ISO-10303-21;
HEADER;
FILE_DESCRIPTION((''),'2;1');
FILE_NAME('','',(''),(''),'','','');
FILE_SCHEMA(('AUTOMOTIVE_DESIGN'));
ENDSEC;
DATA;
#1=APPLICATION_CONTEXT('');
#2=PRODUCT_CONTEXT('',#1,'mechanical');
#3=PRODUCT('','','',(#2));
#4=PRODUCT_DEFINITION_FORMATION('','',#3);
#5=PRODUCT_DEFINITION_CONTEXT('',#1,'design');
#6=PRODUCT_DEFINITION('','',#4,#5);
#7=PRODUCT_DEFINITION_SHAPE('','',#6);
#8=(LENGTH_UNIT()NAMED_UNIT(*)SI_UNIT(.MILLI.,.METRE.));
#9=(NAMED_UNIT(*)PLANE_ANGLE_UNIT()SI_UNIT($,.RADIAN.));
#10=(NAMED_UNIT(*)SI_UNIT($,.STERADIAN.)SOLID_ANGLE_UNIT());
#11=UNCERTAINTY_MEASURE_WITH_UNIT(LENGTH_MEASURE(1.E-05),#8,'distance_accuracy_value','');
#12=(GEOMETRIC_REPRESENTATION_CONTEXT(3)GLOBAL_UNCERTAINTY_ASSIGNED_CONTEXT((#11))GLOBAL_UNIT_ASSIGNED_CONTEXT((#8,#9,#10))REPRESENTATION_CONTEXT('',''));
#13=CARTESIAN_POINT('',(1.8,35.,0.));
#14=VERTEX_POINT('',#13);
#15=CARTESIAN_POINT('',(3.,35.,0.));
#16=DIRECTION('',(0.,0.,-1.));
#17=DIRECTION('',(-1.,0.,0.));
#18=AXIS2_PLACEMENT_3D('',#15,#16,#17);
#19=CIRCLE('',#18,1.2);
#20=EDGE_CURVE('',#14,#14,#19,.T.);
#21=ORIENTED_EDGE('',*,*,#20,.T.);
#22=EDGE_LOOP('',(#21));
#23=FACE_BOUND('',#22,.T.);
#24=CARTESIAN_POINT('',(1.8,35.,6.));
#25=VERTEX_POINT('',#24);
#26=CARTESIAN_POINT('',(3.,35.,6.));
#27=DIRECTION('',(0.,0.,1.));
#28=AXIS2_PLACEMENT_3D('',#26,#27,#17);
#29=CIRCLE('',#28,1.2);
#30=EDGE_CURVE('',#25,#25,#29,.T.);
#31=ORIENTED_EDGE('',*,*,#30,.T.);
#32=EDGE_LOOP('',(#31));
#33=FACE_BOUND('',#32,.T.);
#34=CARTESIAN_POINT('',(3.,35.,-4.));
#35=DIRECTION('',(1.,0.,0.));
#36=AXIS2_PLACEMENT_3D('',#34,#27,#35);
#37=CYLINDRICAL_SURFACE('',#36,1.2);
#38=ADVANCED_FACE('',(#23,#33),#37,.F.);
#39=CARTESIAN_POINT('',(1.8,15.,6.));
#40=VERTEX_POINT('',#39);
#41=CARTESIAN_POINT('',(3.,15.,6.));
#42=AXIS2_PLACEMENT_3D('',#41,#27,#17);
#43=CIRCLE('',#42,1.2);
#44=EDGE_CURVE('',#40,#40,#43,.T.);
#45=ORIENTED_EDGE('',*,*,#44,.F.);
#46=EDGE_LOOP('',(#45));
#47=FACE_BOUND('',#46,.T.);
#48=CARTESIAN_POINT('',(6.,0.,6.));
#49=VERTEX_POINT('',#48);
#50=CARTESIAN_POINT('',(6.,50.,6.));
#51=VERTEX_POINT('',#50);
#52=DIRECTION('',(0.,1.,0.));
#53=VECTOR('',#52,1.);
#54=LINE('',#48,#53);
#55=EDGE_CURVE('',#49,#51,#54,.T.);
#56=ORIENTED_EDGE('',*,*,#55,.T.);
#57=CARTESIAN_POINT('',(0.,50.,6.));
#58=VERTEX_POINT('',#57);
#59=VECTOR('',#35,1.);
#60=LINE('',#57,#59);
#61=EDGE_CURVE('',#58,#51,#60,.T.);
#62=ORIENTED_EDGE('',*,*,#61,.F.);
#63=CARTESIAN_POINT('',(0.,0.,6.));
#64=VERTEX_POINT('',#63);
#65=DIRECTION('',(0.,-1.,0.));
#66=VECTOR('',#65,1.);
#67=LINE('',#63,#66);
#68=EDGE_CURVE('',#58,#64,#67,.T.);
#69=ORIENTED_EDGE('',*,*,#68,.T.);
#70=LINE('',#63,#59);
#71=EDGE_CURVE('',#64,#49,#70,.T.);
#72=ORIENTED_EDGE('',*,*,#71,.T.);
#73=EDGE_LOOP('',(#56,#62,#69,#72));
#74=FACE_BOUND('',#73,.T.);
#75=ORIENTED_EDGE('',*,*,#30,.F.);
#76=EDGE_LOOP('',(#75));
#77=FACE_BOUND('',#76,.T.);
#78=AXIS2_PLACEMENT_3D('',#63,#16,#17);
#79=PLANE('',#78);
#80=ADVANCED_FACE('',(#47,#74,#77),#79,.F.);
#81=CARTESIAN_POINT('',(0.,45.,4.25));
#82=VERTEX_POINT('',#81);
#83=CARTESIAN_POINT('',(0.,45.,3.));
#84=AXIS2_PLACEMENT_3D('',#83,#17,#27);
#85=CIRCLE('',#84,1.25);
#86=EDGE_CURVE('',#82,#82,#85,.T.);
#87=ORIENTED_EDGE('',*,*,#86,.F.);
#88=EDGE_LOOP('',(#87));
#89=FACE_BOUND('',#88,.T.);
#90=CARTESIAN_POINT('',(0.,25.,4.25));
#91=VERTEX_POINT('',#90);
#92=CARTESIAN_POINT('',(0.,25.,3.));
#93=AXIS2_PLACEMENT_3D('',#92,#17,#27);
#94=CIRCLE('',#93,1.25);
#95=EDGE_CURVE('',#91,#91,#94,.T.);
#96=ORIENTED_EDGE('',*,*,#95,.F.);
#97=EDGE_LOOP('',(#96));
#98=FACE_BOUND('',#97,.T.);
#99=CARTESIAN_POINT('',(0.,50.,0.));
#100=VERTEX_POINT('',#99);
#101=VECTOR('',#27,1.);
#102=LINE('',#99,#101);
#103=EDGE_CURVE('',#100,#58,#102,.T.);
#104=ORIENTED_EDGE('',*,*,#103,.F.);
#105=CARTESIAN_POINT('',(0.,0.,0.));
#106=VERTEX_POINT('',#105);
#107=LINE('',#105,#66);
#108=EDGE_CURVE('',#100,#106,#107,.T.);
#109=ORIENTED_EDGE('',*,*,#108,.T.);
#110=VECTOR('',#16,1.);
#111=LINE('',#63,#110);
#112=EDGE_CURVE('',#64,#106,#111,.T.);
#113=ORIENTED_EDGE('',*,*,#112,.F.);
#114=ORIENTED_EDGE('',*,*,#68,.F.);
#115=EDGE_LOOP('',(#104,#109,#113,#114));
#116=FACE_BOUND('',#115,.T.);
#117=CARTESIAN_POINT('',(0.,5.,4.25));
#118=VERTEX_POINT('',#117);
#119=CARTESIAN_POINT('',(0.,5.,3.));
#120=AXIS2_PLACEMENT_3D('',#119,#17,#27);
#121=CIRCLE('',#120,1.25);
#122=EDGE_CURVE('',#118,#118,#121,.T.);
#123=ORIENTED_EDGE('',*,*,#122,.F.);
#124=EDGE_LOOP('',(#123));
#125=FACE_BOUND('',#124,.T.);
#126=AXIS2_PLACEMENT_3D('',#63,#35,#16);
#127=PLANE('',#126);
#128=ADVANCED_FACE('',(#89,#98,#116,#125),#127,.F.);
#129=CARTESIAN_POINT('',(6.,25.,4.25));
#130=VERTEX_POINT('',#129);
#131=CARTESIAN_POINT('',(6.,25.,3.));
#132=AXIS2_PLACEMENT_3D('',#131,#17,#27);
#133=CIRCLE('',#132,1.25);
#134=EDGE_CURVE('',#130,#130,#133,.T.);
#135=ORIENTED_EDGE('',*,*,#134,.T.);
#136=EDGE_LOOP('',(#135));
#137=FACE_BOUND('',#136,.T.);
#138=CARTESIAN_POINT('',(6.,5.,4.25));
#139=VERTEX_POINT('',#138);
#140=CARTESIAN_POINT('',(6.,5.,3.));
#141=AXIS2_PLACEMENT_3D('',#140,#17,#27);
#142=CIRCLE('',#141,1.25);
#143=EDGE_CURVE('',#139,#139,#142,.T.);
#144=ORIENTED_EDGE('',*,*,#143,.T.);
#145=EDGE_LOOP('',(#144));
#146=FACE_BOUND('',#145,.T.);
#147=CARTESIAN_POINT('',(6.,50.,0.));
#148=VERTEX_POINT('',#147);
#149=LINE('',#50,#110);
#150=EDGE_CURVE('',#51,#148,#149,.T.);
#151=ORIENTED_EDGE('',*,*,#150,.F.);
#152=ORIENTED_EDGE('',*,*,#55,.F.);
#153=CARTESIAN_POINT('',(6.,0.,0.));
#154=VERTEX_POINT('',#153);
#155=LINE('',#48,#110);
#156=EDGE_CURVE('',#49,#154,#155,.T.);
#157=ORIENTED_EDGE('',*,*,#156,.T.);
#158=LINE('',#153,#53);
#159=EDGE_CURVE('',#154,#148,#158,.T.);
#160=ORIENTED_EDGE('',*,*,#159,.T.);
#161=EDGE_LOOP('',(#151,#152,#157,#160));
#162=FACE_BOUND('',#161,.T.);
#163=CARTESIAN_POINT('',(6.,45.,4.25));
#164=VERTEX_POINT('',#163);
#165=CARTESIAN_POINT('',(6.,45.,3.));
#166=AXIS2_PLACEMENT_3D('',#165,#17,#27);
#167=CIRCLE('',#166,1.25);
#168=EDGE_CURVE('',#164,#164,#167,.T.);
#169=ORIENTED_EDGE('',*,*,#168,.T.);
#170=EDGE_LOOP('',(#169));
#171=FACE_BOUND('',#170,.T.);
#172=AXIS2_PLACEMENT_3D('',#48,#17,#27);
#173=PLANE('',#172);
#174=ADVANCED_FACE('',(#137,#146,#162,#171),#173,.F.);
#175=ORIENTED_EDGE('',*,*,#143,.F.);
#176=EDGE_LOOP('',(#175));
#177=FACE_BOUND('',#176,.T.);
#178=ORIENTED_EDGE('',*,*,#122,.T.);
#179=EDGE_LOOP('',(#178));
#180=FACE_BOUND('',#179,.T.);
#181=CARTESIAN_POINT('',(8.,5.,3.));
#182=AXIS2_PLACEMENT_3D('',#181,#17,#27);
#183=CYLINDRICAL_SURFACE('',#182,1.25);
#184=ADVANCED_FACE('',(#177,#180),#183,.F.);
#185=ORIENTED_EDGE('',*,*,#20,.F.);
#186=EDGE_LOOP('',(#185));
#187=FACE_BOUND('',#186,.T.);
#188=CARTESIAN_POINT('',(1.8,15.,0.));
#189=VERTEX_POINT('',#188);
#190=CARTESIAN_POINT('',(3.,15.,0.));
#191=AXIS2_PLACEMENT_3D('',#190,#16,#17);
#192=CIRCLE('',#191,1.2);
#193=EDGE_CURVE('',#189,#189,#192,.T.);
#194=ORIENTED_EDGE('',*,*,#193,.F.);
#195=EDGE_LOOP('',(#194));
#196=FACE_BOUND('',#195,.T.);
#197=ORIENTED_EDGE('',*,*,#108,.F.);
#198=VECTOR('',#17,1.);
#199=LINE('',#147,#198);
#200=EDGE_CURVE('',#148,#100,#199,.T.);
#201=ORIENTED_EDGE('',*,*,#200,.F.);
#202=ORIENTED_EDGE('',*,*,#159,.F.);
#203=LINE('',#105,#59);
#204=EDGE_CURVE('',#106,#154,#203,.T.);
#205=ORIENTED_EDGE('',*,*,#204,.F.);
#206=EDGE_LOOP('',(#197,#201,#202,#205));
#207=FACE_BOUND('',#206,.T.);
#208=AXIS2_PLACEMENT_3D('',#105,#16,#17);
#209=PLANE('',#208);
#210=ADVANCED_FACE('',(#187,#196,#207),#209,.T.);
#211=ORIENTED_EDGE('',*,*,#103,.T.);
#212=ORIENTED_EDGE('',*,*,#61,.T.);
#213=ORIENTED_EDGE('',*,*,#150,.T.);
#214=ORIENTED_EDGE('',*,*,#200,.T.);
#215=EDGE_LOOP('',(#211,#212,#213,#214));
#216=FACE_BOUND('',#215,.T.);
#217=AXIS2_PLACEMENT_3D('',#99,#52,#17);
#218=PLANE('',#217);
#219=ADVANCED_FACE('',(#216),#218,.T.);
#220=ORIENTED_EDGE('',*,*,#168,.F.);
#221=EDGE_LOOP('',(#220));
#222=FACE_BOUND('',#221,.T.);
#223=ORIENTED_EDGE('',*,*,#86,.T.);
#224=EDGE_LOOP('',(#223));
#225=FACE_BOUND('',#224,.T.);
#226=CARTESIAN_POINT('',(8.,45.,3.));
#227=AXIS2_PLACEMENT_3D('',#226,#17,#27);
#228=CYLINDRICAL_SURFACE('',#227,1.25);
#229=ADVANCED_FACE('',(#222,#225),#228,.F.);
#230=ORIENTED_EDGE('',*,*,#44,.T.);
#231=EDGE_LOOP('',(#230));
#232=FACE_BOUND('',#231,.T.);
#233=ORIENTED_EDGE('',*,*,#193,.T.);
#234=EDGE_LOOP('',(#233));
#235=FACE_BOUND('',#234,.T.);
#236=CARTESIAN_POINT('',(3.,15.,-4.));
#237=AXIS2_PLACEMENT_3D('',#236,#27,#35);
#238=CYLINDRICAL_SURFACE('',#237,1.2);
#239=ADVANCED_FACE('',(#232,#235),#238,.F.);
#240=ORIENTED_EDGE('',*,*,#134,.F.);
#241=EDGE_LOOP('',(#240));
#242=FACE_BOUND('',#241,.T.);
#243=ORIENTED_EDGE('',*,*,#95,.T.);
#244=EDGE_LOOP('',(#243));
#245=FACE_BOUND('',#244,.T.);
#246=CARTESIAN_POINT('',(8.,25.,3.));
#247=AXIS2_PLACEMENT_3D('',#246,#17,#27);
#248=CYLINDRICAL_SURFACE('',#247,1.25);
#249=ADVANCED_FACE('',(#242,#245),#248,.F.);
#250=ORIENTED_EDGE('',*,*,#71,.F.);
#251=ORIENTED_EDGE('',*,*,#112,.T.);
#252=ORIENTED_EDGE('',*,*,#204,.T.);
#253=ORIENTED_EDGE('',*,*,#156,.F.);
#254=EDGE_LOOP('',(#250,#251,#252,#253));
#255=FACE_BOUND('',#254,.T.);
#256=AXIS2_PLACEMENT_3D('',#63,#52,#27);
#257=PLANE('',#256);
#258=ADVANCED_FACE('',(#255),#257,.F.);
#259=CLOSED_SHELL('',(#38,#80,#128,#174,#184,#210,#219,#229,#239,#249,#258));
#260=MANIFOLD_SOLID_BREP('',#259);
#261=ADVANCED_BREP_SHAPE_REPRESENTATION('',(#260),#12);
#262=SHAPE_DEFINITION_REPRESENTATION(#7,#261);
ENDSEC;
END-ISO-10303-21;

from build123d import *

# Parameters (mm, degrees)
SKETCH_1_W          = 6
SKETCH_1_H          = 70
EXTRUDE_1_DEPTH     = 6
SKETCH_4_R          = 1.25
CUT_EXTRUDE_3_DEPTH = 8
SKETCH_6_R          = 1.2
CUT_EXTRUDE_5_DEPTH = 10
SKETCH_7_W          = 6
SKETCH_7_H          = 6
CUT_EXTRUDE_6_DEPTH = 20


with BuildPart() as part:
    # 草图1 → 凸台-拉伸1 (new body)
    with BuildSketch(Plane.XY):
        with Locations((3, 35)):
            Rectangle(SKETCH_1_W, SKETCH_1_H)
    extrude(amount=EXTRUDE_1_DEPTH)

    # 草图4 → 切除-拉伸3 (cut)
    with BuildSketch(Plane.ZY):
        with Locations((3, 65)):
            Circle(SKETCH_4_R)
        with Locations((3, 45)):
            Circle(SKETCH_4_R)
        with Locations((3, 25)):
            Circle(SKETCH_4_R)
        with Locations((3, 5)):
            Circle(SKETCH_4_R)
    extrude(amount=-CUT_EXTRUDE_3_DEPTH, mode=Mode.SUBTRACT)

    # 草图6 → 切除-拉伸5 (cut)
    with BuildSketch(Plane.XY.offset(6)):
        with Locations((3, 15)):
            Circle(SKETCH_6_R)
        with Locations((3, 35)):
            Circle(SKETCH_6_R)
        with Locations((3, 55)):
            Circle(SKETCH_6_R)
    extrude(amount=-CUT_EXTRUDE_5_DEPTH, mode=Mode.SUBTRACT)

    # 草图7 → 切除-拉伸6 (cut)
    with BuildSketch(Plane(origin=(0, 70, 0), x_dir=(1, 0, 0), z_dir=(0, 1, 0))):
        with Locations((3, -3)):
            Rectangle(SKETCH_7_W, SKETCH_7_H)
    extrude(amount=-CUT_EXTRUDE_6_DEPTH, mode=Mode.SUBTRACT)


solid = part.part
